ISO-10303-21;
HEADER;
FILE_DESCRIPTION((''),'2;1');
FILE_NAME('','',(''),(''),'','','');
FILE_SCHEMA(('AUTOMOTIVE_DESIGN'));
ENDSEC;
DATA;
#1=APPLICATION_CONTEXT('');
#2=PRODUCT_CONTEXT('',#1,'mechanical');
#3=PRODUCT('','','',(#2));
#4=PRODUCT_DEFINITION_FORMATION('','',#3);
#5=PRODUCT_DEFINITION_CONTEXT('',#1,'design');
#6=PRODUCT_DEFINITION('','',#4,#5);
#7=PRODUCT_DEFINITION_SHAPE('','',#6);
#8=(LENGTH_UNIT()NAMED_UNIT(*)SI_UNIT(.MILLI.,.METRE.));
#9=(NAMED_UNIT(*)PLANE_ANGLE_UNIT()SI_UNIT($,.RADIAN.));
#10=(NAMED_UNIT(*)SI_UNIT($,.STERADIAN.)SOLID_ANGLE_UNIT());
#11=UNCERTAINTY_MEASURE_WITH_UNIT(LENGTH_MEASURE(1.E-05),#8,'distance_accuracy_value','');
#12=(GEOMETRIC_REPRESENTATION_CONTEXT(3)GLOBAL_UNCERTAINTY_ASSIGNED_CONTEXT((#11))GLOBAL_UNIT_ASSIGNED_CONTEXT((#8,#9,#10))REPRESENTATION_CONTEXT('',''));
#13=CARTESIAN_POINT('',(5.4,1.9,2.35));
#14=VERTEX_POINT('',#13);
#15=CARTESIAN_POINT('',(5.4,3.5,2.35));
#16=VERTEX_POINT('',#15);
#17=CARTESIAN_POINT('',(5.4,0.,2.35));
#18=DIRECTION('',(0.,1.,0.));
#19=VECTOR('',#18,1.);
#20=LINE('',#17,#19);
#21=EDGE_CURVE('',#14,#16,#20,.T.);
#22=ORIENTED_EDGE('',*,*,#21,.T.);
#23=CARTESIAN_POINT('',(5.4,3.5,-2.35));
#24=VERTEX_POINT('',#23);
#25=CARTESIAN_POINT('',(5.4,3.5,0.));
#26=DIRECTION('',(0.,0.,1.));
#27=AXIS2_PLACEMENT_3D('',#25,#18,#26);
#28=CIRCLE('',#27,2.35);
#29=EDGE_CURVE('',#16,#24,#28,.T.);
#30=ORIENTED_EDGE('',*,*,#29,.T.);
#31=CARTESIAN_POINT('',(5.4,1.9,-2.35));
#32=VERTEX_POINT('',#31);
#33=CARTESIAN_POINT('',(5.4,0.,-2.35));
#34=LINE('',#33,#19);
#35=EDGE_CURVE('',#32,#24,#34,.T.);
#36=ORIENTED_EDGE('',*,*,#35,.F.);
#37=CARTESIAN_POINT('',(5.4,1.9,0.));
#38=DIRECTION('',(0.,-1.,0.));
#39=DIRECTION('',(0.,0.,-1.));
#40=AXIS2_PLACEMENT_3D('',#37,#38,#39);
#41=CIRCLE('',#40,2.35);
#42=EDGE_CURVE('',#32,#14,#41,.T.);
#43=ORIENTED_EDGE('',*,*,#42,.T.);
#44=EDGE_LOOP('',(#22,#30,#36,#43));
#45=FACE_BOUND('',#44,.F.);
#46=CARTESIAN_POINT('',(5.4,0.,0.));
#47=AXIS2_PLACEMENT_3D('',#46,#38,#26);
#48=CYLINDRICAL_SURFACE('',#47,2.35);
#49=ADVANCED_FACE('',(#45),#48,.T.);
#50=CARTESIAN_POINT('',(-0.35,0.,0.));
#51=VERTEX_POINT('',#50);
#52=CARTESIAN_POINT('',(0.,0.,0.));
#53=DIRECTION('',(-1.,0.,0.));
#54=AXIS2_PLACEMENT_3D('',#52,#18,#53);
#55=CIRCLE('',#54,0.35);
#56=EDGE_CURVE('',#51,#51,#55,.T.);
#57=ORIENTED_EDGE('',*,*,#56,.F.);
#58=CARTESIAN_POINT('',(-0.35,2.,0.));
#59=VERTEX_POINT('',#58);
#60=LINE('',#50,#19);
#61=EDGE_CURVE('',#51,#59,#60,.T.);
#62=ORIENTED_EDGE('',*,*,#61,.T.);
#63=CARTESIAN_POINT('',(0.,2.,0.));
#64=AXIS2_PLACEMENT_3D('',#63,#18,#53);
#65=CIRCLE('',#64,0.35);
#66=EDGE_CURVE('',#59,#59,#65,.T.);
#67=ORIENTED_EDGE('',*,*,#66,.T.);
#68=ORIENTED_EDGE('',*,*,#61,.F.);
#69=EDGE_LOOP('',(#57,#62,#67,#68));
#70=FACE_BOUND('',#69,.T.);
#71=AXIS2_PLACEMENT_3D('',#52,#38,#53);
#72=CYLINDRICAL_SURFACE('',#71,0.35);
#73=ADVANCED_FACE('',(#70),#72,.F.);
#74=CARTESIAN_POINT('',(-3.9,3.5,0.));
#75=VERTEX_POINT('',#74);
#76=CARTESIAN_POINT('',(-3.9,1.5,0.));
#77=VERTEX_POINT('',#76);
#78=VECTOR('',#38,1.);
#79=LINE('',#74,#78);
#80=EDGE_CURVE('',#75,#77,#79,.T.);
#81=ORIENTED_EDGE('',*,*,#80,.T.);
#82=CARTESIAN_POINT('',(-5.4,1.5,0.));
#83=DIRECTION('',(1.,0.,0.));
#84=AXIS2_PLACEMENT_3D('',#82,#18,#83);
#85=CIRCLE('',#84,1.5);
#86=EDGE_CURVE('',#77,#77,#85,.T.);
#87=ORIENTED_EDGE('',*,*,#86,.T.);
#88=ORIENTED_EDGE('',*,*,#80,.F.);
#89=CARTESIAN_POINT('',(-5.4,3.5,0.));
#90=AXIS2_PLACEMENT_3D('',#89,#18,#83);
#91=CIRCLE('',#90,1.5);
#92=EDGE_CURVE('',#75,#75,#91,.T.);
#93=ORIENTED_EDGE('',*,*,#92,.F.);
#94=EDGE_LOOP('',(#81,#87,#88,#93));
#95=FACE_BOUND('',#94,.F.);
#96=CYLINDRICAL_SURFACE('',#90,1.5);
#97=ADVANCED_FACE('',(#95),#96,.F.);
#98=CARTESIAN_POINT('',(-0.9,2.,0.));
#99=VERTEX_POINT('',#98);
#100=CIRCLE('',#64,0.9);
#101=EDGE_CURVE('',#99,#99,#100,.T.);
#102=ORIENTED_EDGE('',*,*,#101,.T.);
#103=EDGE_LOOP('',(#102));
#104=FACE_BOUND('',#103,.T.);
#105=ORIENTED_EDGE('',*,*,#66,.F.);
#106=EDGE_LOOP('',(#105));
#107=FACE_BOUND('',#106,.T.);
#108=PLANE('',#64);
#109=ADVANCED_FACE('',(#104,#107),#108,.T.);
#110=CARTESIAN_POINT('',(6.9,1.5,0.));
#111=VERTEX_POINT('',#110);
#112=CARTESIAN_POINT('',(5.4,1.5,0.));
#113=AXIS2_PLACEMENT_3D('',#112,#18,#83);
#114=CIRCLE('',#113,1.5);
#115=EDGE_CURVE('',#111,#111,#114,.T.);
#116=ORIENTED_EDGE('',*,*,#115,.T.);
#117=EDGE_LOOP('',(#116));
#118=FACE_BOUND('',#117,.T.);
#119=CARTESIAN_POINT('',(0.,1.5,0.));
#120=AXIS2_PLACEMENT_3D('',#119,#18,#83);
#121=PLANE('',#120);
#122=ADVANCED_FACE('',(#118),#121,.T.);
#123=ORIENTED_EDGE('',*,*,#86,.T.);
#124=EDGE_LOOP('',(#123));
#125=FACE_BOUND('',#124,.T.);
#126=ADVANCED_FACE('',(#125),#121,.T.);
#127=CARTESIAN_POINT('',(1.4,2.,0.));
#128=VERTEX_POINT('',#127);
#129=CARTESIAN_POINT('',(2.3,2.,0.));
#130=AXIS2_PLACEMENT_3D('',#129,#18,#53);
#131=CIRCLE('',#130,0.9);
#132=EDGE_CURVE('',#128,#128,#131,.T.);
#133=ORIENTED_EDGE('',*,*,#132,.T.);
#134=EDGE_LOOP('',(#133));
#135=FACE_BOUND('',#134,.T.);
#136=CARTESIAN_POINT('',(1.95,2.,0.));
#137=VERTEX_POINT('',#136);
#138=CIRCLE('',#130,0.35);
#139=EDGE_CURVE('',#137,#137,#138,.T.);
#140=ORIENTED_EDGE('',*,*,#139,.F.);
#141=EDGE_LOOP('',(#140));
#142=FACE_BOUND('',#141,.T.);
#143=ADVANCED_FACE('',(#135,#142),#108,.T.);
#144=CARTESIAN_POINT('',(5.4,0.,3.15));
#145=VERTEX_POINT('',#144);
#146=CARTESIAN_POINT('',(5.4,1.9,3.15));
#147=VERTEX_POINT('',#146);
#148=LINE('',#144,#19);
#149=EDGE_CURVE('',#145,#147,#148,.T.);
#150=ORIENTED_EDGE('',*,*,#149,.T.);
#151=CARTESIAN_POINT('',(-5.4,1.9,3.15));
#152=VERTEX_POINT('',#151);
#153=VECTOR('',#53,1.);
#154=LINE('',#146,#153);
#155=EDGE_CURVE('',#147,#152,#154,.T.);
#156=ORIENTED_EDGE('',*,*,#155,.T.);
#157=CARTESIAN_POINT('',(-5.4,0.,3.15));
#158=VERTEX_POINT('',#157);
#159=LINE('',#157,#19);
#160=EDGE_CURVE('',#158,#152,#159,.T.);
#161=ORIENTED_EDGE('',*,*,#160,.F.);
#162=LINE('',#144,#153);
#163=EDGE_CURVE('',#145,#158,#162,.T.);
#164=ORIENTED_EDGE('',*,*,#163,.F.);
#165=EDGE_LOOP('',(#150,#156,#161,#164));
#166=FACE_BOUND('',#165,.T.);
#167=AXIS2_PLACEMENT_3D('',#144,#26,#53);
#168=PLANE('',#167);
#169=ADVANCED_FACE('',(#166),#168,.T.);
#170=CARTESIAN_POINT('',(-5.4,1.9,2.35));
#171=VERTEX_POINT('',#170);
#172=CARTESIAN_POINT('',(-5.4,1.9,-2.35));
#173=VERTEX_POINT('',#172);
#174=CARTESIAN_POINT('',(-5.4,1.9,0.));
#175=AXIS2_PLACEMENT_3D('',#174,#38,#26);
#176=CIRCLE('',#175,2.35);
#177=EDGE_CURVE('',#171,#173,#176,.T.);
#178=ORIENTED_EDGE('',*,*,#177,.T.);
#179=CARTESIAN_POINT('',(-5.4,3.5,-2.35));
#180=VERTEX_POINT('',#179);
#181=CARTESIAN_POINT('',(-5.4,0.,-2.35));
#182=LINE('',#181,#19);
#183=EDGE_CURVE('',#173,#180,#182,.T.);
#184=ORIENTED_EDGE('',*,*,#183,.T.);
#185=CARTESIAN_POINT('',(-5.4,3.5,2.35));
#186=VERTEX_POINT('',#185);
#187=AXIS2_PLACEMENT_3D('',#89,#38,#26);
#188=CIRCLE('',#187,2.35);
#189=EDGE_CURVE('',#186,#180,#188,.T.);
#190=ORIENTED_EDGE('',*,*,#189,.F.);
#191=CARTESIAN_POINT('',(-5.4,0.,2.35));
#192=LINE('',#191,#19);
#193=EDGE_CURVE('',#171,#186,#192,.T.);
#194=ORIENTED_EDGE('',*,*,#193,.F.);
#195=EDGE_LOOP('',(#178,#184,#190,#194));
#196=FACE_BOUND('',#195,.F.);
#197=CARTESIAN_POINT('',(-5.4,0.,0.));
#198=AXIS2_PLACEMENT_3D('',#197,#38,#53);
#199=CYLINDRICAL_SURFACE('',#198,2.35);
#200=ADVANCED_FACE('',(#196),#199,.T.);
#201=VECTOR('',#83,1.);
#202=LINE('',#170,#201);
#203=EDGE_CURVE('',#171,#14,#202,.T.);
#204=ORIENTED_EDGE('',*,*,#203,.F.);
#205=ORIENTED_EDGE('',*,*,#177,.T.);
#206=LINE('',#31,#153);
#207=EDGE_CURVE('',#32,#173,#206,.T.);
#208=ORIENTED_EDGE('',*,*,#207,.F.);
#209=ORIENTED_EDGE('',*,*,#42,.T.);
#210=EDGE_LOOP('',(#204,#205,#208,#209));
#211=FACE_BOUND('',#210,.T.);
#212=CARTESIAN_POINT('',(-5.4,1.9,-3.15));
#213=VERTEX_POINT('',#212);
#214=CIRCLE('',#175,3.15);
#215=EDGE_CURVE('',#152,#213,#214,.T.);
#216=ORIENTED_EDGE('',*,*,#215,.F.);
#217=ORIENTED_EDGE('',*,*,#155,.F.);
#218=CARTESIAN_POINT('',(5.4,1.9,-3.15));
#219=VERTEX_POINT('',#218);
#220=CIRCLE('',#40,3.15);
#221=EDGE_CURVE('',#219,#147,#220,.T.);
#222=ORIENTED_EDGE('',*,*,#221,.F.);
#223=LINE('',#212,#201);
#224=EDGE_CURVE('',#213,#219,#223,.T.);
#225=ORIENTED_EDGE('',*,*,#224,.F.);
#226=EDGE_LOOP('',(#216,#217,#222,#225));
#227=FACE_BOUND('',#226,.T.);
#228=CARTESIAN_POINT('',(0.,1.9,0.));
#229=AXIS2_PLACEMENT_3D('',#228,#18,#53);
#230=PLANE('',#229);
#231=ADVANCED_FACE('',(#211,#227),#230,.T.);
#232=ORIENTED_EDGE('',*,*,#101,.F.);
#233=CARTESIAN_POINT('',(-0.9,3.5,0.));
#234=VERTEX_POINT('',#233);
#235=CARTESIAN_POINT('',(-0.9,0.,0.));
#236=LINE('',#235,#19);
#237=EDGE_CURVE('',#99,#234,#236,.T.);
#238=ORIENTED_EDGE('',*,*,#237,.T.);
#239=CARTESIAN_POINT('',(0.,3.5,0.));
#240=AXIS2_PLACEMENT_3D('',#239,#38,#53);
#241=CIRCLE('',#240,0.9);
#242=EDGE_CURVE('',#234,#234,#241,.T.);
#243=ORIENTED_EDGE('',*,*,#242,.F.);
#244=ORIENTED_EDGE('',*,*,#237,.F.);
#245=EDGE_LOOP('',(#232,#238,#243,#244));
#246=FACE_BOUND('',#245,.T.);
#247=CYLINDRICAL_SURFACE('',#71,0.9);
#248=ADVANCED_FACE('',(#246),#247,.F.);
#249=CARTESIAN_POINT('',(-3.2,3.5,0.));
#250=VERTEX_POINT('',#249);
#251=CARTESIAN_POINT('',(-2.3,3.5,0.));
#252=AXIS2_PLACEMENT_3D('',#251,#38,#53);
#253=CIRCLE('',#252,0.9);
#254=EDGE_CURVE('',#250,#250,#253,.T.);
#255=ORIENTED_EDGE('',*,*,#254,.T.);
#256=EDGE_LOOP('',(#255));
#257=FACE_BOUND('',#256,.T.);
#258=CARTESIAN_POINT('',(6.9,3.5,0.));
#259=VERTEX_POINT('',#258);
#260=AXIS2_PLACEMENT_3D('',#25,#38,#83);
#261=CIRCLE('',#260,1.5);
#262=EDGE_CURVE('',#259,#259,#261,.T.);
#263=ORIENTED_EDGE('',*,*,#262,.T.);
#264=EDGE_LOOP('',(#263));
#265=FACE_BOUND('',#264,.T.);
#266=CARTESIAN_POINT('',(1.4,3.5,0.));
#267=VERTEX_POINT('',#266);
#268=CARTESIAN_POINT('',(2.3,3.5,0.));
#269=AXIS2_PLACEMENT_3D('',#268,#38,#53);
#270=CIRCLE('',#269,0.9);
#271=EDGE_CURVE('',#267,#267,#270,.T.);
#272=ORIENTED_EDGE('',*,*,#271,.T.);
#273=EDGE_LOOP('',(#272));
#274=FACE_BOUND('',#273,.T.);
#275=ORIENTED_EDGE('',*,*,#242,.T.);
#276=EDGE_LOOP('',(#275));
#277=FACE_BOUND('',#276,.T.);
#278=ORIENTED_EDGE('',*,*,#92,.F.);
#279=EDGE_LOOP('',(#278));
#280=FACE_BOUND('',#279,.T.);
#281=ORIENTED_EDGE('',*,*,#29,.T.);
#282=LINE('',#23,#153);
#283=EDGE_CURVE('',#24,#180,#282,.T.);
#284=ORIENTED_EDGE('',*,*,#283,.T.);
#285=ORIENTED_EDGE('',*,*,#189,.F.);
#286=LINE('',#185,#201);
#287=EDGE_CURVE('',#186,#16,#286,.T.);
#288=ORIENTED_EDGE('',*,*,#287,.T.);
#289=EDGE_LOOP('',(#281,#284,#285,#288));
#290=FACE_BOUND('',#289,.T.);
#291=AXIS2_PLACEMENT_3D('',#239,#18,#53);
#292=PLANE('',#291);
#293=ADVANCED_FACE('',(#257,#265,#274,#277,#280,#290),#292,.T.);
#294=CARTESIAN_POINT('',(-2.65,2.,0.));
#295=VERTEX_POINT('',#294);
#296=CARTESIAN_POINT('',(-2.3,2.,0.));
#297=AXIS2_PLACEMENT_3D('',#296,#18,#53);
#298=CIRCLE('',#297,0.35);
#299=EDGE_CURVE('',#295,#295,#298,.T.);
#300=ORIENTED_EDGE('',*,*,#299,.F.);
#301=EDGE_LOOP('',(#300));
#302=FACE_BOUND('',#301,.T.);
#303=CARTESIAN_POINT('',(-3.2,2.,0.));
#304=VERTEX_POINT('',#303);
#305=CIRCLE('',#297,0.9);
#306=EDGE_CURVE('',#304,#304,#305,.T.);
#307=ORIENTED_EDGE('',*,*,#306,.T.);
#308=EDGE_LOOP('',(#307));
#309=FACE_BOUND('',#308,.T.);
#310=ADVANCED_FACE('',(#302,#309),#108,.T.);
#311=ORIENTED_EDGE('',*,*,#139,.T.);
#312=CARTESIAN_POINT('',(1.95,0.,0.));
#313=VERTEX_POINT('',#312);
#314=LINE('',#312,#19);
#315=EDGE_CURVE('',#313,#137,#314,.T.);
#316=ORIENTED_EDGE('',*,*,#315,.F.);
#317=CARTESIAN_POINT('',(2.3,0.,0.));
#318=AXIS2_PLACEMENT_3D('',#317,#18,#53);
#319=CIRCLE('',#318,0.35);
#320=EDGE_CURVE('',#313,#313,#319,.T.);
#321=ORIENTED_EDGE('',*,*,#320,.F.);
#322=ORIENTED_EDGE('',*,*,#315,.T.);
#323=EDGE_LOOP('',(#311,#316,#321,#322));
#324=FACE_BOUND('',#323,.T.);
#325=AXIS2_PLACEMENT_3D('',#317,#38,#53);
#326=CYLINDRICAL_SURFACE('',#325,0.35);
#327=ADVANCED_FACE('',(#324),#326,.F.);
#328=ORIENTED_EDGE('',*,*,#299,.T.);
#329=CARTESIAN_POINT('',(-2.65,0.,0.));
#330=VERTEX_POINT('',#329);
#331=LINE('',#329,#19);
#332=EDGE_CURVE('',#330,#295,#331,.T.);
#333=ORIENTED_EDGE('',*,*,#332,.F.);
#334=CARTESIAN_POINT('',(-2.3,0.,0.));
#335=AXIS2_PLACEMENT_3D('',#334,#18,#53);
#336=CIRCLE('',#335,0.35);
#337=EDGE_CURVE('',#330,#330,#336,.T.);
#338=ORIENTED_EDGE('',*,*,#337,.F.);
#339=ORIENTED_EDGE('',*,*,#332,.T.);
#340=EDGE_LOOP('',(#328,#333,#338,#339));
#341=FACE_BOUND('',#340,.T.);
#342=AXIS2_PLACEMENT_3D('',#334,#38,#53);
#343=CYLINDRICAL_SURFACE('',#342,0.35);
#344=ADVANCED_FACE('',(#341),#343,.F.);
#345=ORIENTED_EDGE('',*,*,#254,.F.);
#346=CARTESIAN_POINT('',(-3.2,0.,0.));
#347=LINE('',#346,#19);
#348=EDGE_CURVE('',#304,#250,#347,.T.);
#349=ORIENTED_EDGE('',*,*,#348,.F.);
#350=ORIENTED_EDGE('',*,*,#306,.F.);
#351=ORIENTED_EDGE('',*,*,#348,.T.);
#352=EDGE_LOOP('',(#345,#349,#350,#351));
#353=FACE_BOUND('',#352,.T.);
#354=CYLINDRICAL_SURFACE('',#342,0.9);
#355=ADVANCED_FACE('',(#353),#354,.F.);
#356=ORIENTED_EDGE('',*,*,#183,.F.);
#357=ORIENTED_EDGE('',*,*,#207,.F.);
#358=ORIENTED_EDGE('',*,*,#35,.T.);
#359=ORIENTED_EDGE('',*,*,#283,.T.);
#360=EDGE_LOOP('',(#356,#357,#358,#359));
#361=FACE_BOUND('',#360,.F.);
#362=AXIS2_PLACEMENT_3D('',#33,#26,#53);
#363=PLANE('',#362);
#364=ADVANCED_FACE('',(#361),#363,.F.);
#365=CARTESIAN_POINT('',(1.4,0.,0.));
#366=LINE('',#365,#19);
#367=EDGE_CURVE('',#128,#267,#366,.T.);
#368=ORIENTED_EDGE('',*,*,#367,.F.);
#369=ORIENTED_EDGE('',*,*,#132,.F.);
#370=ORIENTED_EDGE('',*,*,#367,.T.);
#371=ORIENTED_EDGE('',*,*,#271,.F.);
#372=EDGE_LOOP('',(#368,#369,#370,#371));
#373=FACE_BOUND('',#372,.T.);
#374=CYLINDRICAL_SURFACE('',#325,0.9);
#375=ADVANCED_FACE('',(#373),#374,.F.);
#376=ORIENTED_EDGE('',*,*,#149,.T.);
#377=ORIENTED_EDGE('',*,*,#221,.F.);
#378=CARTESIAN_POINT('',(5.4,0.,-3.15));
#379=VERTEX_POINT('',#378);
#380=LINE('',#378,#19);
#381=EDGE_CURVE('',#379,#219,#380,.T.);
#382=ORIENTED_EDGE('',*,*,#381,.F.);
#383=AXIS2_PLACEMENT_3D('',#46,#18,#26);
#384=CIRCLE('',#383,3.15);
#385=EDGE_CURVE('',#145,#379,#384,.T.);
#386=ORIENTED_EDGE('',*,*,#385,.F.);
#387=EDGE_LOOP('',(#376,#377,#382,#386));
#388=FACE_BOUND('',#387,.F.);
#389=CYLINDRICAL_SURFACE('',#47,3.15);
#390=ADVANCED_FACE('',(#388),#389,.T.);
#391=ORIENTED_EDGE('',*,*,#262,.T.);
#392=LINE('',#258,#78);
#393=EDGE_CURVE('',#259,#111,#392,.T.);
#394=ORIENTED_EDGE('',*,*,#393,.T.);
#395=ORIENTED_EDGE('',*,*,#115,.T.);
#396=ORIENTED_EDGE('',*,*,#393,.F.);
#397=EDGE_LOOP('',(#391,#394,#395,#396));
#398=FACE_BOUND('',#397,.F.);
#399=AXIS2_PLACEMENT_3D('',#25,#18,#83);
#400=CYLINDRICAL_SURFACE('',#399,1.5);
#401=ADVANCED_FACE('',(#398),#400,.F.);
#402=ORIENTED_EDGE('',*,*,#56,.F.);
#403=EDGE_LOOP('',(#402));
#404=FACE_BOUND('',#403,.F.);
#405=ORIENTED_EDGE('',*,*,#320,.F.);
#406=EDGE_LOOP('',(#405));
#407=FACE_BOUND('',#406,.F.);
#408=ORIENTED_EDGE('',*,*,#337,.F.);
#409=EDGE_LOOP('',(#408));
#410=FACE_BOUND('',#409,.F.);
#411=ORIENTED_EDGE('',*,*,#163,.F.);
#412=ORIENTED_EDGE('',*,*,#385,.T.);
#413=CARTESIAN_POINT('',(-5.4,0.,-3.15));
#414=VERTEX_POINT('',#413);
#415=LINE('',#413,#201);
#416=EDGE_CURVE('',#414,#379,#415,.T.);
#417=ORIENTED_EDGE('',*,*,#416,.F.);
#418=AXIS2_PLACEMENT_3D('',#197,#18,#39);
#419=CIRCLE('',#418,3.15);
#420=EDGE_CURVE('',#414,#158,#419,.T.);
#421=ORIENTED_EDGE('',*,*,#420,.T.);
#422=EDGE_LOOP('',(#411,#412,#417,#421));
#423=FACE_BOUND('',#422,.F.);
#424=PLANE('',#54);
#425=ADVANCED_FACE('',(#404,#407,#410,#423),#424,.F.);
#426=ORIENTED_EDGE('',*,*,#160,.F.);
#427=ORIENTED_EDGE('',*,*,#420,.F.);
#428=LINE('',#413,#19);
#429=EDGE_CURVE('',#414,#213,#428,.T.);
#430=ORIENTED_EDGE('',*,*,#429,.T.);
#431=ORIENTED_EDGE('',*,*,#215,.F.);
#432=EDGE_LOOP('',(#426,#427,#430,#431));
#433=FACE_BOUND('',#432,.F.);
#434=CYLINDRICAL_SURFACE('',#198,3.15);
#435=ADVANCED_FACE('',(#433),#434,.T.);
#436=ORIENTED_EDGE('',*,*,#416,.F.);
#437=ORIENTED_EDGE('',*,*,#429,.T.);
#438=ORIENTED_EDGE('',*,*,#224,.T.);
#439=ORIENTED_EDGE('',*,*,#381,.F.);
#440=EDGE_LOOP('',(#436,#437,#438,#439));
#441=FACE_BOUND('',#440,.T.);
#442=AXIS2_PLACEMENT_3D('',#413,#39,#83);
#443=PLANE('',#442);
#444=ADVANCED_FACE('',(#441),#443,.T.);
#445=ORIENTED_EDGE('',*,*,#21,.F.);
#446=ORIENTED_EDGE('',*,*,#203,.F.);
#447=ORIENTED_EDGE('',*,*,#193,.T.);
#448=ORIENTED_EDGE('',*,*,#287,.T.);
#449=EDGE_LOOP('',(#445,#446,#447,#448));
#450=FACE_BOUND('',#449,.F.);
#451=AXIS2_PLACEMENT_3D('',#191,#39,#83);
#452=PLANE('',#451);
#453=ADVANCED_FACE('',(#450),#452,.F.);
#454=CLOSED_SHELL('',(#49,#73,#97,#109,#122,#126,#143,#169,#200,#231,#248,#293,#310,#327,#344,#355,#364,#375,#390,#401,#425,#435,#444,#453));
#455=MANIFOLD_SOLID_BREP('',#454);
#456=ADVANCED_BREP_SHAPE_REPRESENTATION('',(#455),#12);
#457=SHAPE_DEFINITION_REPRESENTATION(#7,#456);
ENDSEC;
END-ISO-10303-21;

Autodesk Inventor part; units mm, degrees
ref_plane "YZ Plane" through (0, 0, 0) normal (1, 0, 0) x (0, 1, 0)
ref_plane "XZ Plane" through (0, 0, 0) normal (0, 1, 0) x (-1, 0, 0)
sketch "Sketch2" plane through (0, 0, 0) normal (0, 1, 0) x (-1, 0, 0)
  line L0 (-13.1182, 6.5103) -> (18.7692, 6.5103) construction
  line L1 (18.7692, 6.5103) -> (18.7692, -12.5367) construction
  line L2 (18.7692, -12.5367) -> (-13.1182, -12.5367) construction
  line L3 (-13.1182, -12.5367) -> (-13.1182, 6.5103) construction
  line L4 (-5.4, 3.15) -> (5.4, 3.15)
  line L5 (8.55, 0) -> (8.55, 0)
  line L6 (5.4, -3.15) -> (-5.4, -3.15)
  line L7 (-8.55, 0) -> (-8.55, 0)
  line L8 (-8.55, 3.15) -> (8.55, -3.15) construction
  line L9 (8.55, 3.15) -> (-8.55, -3.15) construction
  arc A0 (8.55, 0) -> (5.4, 3.15) centre (5.4, 0) ccw
  arc A1 (5.4, -3.15) -> (8.55, 0) centre (5.4, 0) ccw
  arc A2 (-5.4, 3.15) -> (-8.55, 0) centre (-5.4, 0) ccw
  arc A3 (-8.55, 0) -> (-5.4, -3.15) centre (-5.4, 0) ccw
  line L10 (5.4, 2.35) -> (-5.4, 2.35)
  line L11 (-7.75, 0) -> (-7.75, 0)
  line L12 (-5.4, -2.35) -> (5.4, -2.35)
  line L13 (7.75, 0) -> (7.75, 0)
  line L14 (7.75, 2.35) -> (-7.75, -2.35) construction
  line L15 (-7.75, 2.35) -> (7.75, -2.35) construction
  arc A4 (-5.4, 2.35) -> (-7.75, 0) centre (-5.4, 0) ccw
  arc A5 (-7.75, 0) -> (-5.4, -2.35) centre (-5.4, 0) ccw
  arc A6 (7.75, 0) -> (5.4, 2.35) centre (5.4, 0) ccw
  arc A7 (5.4, -2.35) -> (7.75, 0) centre (5.4, 0) ccw
  circle A8 centre (5.4, 0) radius 1.5
  circle A9 centre (-5.4, 0) radius 1.5
  circle A10 centre (2.3, 0) radius 0.9
  circle A11 centre (0, 0) radius 0.9
  circle A12 centre (-2.3, 0) radius 0.9
  circle A13 centre (2.3, 0) radius 0.35
  circle A14 centre (0, 0) radius 0.35
  circle A15 centre (-2.3, 0) radius 0.35
  point P0 (-7.75, 0)
  point P1 (7.75, 0)
  point P2 (-8.55, 0)
  point P3 (8.55, 0)
  dimension "d61" = 17.1
  dimension "d62" = 6.3
  dimension "d88" = 3.15
  dimension "d90" = 0.8
  dimension "d91" = 0.8
  dimension "d92" = 2.35
  dimension "d93" = 3
  dimension "d94" = 3
  dimension "d97" = 1.8
  dimension "d98" = 1.8
  dimension "d99" = 1.8
  dimension "d100" = 4.6
  dimension "d115" = 0.7
  dimension "d116" = 0.7
  dimension "d117" = 0.7
  dimension "d133" = 4.7
extrude "Extrusion1" add sketch "Sketch2" along normal blind 3.5 contours A6 A7 L12 A5 A4 L10 | A8 | A9 | A10 | A11 | A12 | A13 | A14 | A15
extrude "Extrusion2" add sketch "Sketch2" along normal blind 1.9 contours L4 A0 A1 L6 A3 A2
extrude "Extrusion3" cut sketch "Sketch2" along normal through all contours A10 | A11 | A12 | A13 | A14 | A15
ref_plane "Work Plane1" through (0, -1.5, 0) normal (0, -1, 0) x (1, 0, 0)
extrude "Extrusion5" add sketch "Sketch2" along normal blind 2 contours A10 | A11 | A12
sketch "Sketch5" plane through (0, 3.5, 0) normal (0, 1, 0) x (1, 0, 0)
  line L0 (0, 0) -> (5.4, 0)
  circle A0 centre (5.4, 0) radius 1.5
  line L1 (0, 0) -> (-5.4, 0)
  circle A1 centre (-5.4, 0) radius 1.5
  dimension "d127" = 5.4
  dimension "d128" = 3
  dimension "d129" = 5.4
  dimension "d130" = 3
extrude "Extrusion7" cut sketch "Sketch5" against normal blind 2
properties part number "Pogo1" material "Nylon 6"
